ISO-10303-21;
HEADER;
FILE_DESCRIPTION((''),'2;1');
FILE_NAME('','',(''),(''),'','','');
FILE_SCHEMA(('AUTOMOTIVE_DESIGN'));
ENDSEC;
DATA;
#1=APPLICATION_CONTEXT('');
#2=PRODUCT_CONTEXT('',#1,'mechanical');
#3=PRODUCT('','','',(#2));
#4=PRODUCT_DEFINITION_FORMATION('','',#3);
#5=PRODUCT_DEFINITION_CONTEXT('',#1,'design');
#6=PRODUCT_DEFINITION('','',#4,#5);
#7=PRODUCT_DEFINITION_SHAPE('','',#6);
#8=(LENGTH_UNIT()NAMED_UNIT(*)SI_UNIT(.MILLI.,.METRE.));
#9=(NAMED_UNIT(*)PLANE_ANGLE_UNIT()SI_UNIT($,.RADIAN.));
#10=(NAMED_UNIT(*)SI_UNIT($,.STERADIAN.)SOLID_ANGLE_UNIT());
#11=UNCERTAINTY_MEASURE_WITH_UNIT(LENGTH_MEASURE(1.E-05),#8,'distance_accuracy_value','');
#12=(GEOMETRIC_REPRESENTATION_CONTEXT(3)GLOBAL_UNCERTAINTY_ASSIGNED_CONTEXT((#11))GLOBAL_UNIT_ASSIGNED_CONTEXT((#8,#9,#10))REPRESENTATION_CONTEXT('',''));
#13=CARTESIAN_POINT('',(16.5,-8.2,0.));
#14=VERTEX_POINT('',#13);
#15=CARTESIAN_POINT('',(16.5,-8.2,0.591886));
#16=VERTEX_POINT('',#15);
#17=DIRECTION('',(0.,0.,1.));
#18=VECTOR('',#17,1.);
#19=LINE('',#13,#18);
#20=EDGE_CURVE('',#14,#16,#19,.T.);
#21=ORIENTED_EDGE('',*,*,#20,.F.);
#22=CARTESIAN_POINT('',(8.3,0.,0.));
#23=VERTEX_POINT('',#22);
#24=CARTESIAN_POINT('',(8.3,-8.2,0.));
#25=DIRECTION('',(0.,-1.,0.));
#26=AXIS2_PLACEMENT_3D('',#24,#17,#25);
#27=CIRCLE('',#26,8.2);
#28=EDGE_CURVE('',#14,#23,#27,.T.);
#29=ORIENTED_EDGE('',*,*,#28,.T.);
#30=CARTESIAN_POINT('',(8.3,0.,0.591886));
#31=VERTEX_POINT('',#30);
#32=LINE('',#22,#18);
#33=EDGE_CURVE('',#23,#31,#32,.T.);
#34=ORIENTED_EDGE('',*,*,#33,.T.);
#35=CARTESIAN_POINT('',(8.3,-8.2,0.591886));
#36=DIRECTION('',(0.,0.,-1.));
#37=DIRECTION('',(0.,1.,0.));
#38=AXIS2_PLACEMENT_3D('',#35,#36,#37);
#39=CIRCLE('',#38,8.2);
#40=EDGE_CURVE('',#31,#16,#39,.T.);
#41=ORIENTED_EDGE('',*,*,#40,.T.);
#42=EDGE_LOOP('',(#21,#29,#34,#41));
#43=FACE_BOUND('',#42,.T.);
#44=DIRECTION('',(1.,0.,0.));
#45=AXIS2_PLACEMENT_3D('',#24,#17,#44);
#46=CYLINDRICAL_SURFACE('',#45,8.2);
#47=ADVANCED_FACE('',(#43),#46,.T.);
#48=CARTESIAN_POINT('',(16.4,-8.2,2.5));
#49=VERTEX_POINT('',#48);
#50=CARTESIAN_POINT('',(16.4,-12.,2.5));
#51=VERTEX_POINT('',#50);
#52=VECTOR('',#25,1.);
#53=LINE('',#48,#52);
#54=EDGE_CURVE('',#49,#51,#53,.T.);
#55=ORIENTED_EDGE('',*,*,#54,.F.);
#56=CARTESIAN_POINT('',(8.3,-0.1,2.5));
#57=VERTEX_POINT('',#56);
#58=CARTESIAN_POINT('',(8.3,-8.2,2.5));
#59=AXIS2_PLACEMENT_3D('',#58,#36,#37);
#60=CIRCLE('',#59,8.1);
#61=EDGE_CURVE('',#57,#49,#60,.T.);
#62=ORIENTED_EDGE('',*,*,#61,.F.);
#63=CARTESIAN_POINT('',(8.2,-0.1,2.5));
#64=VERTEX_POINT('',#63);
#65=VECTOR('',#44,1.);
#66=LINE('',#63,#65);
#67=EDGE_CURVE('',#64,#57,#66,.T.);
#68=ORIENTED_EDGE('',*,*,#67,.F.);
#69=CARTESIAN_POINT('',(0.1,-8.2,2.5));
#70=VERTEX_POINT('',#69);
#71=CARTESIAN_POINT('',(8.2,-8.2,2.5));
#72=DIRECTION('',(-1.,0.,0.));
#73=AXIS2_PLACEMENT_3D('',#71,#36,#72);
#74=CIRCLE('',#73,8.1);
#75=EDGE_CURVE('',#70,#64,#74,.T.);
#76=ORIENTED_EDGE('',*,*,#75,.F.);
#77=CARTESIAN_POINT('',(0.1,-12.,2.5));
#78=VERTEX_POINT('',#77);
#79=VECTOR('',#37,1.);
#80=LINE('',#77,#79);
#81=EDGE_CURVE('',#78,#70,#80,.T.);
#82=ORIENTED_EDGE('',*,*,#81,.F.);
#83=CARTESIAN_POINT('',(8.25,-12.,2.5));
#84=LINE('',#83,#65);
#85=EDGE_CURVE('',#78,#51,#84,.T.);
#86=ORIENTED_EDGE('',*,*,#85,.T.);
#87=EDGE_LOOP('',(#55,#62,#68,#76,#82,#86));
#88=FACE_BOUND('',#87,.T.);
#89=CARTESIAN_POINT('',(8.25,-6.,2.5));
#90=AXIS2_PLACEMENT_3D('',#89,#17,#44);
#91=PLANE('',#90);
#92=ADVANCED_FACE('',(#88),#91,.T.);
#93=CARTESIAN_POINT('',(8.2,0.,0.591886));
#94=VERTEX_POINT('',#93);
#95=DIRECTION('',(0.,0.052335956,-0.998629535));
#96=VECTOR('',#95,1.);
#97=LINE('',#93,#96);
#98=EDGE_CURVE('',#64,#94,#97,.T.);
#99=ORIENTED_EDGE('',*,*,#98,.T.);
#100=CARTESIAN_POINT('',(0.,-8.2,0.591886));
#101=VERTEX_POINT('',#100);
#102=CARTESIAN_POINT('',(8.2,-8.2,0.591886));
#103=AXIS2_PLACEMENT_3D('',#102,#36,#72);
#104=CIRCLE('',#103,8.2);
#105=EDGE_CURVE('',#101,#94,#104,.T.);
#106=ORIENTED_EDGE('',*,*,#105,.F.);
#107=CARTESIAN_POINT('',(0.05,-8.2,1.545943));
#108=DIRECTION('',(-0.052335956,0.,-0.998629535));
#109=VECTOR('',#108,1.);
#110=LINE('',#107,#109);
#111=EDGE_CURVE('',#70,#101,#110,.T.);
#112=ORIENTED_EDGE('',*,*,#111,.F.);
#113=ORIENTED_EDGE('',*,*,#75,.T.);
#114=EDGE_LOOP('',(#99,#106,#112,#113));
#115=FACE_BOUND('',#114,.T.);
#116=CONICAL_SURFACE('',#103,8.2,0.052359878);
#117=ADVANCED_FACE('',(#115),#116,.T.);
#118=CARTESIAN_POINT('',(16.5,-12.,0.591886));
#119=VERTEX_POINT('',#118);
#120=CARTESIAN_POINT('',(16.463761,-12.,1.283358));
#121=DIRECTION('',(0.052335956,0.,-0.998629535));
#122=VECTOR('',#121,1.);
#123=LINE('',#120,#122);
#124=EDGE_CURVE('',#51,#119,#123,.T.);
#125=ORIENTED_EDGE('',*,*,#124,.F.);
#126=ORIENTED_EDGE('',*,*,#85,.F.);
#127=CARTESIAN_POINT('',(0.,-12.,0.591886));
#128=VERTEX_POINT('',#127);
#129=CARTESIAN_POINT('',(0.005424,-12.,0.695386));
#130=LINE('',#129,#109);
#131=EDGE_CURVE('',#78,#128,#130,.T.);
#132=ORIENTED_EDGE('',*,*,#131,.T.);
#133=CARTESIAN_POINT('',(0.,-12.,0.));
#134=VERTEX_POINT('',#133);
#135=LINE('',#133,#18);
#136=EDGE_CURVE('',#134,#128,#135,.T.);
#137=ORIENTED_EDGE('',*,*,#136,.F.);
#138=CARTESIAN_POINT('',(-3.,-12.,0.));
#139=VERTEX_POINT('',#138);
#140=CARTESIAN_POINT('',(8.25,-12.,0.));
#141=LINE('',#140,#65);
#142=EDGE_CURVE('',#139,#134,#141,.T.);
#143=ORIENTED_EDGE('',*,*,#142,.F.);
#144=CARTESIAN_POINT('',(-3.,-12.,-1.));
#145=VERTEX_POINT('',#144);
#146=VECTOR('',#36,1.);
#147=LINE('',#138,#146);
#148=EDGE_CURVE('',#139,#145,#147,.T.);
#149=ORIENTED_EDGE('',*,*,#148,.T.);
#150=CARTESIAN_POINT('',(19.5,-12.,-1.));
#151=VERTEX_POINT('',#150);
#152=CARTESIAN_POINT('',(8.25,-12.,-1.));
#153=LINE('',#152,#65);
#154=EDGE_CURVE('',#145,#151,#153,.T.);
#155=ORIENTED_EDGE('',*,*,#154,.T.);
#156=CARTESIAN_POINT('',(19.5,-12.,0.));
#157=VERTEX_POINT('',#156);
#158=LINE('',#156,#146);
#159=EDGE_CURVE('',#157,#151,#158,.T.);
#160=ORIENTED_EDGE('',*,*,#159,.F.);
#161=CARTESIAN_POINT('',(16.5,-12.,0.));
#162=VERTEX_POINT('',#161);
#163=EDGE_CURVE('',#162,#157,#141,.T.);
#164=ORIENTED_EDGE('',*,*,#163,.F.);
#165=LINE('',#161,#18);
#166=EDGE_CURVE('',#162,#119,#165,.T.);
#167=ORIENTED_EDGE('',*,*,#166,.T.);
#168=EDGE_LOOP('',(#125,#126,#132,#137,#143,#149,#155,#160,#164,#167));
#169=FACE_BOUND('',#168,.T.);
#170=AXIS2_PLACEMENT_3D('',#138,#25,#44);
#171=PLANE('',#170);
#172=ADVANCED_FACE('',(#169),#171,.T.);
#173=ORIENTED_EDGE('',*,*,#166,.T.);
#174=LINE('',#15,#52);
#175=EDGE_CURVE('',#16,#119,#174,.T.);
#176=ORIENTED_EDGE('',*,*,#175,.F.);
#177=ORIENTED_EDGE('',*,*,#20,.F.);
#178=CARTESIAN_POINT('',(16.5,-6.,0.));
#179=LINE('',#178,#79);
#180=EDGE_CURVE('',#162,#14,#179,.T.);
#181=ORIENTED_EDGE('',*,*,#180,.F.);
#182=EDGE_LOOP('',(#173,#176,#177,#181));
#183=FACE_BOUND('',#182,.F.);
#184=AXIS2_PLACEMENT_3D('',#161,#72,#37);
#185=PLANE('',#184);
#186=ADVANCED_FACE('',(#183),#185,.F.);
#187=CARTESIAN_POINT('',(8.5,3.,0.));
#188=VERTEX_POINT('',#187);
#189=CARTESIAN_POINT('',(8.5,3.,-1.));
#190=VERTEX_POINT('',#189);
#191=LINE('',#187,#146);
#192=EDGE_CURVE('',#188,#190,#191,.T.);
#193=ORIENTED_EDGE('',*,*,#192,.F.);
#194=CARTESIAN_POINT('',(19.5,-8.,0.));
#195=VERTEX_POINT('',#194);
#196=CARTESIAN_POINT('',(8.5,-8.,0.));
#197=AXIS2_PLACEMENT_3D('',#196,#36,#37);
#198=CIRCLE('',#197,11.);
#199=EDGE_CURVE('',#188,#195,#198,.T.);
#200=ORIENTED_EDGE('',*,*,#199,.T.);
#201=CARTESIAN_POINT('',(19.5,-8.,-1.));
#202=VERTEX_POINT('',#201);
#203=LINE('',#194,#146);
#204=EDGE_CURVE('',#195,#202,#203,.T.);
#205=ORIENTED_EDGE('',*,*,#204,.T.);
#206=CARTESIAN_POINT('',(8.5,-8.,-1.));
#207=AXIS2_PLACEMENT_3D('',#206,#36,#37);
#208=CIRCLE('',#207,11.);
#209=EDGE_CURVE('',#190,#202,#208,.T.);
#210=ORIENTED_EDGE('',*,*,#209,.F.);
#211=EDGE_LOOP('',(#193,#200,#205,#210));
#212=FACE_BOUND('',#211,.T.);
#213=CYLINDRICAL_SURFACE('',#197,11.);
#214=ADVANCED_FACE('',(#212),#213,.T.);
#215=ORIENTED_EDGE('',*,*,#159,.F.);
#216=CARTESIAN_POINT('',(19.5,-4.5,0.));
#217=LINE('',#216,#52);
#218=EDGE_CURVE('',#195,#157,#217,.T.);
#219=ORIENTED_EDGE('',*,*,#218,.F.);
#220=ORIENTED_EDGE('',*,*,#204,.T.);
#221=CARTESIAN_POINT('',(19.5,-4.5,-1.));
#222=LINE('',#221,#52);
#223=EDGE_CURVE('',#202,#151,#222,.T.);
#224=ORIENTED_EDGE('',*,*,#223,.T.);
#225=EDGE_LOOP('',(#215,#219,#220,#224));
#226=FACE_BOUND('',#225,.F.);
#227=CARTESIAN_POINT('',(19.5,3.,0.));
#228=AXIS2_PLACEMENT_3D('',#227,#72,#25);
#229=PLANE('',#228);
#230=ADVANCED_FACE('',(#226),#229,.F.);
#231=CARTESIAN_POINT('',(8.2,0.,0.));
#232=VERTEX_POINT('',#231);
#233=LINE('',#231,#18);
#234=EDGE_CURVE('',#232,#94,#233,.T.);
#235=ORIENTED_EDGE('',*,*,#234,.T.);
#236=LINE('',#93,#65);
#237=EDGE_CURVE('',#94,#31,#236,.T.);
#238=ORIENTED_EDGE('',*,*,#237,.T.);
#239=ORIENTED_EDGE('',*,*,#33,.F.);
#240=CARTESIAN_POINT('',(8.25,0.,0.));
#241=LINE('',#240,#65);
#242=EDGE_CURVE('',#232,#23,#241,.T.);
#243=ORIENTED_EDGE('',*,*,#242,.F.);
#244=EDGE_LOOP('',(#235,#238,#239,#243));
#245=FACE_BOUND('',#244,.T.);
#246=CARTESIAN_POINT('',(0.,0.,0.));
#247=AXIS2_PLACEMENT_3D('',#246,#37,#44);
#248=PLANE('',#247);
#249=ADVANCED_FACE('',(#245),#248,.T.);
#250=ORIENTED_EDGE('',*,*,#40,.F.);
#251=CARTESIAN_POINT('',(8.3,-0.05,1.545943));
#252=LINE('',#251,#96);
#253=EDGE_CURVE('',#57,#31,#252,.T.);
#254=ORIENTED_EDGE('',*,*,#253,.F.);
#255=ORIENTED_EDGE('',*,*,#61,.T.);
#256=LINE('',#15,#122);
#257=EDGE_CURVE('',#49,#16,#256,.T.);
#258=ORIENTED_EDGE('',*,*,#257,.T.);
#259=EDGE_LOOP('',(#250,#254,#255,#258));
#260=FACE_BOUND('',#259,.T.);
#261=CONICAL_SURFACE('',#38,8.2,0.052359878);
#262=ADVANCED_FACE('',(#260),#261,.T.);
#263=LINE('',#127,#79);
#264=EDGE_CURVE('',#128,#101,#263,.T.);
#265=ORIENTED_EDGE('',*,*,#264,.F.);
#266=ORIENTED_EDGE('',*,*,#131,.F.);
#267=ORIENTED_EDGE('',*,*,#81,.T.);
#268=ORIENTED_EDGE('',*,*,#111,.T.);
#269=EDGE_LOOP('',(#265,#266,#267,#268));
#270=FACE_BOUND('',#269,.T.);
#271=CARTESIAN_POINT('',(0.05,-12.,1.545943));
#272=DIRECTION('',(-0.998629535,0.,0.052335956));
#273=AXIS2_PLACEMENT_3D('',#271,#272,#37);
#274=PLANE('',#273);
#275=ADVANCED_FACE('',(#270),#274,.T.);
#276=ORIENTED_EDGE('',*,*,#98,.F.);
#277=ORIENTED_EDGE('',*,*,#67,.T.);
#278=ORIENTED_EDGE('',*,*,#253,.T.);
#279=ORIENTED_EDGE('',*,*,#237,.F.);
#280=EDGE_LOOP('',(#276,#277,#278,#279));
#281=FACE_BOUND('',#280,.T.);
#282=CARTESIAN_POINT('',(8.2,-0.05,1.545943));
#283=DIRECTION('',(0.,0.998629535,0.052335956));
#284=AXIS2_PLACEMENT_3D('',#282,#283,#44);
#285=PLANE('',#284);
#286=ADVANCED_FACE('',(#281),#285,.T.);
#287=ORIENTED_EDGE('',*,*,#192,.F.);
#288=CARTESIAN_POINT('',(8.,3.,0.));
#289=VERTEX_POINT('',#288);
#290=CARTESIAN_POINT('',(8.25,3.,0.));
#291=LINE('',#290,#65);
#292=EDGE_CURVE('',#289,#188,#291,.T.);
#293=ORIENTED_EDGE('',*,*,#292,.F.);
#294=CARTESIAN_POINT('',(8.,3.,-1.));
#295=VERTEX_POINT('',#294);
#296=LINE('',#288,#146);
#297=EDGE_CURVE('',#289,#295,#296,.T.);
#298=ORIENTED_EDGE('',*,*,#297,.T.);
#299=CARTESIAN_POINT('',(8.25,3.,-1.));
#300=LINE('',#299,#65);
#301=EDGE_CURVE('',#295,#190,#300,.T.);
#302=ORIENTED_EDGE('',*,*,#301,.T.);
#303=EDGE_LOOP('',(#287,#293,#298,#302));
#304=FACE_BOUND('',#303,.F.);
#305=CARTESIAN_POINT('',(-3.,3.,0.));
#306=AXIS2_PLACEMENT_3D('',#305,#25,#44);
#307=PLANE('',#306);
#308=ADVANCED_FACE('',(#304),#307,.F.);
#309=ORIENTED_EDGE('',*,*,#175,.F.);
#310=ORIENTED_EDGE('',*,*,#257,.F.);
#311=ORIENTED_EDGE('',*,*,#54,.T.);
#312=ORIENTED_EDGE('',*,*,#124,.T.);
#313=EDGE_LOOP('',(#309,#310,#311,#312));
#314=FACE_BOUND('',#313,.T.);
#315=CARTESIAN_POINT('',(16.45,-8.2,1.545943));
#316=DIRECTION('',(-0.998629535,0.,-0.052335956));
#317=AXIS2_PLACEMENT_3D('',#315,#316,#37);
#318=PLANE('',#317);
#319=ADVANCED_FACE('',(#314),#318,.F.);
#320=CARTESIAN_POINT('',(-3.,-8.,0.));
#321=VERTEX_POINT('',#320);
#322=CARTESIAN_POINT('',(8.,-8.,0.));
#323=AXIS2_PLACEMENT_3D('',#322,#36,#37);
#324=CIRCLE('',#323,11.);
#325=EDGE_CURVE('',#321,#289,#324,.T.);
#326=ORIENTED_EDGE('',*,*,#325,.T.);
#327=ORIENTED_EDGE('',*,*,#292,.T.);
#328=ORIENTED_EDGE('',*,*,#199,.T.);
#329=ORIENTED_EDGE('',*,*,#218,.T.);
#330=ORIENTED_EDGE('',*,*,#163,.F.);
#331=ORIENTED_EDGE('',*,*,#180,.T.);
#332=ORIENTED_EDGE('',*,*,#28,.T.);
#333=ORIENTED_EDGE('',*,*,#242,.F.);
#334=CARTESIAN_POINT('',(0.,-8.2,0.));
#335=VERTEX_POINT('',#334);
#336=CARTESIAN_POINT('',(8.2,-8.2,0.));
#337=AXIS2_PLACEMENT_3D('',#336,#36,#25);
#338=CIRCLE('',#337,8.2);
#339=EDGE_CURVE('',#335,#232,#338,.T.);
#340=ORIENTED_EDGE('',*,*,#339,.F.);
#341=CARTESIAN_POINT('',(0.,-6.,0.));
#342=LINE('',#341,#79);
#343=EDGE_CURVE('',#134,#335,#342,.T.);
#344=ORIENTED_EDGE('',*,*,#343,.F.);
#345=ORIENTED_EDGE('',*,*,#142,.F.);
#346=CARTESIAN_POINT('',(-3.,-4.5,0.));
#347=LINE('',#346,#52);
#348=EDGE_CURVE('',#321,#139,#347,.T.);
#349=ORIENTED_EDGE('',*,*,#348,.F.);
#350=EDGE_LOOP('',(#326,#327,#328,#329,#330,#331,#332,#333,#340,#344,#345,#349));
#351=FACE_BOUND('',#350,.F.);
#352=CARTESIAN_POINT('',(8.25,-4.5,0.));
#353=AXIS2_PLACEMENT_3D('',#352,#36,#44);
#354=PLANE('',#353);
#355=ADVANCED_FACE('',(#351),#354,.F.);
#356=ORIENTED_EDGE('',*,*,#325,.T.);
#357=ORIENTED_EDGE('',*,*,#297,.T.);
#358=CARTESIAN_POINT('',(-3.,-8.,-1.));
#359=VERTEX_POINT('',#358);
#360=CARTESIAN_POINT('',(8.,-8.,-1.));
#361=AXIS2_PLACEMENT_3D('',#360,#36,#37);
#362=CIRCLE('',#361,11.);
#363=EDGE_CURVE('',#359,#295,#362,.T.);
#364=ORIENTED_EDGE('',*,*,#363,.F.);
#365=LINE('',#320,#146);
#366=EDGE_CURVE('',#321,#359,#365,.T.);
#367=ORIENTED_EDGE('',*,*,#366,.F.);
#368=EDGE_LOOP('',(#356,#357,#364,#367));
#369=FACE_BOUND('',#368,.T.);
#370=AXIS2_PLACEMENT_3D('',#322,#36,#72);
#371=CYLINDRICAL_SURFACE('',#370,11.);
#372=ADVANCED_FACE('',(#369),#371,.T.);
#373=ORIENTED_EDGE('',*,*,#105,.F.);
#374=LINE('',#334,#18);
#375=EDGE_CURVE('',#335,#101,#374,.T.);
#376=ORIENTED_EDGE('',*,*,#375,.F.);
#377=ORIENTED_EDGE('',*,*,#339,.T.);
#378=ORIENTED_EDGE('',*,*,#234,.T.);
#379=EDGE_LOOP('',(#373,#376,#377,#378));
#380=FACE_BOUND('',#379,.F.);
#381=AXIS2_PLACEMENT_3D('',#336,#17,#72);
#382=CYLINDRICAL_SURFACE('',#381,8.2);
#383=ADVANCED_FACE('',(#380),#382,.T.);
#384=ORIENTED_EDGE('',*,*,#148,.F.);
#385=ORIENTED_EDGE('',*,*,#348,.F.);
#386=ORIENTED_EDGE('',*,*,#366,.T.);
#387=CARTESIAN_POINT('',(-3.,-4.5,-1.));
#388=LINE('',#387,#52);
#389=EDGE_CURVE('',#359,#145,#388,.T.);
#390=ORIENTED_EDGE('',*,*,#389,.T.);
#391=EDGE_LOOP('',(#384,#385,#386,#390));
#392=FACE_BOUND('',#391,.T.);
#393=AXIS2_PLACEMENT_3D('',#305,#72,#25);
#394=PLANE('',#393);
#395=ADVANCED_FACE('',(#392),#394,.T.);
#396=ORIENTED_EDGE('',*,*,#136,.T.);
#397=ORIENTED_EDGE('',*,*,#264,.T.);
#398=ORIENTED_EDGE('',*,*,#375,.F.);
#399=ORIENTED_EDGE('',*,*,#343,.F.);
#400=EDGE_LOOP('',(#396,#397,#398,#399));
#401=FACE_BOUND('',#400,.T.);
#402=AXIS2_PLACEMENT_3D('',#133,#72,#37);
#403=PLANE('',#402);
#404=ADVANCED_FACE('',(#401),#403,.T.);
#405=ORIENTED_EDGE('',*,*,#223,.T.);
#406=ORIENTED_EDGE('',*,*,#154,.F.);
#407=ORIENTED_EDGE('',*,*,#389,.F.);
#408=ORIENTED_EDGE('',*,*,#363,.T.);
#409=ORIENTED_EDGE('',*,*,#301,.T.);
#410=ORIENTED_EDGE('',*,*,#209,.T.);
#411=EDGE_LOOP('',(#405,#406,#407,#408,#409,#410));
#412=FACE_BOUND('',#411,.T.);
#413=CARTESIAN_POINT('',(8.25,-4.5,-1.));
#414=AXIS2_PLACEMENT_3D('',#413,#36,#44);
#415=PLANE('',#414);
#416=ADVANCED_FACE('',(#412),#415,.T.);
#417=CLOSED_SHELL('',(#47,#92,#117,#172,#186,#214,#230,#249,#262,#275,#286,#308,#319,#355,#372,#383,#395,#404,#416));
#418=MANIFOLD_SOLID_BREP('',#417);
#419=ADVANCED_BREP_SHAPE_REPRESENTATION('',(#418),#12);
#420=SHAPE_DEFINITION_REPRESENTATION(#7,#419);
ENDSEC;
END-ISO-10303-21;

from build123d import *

# Parameters (mm, degrees)
F0_W     = 16.5
F0_H     = 12
F1_DEPTH = 2.5
F2_R     = 8.2
F3_W     = 22.5
F3_H     = 15
F4_DEPTH = 1
F5_R     = 11
F6_SIZE2 = 1.9081136688
F6_SIZE  = 0.1


with BuildPart() as f1:
    # F0 (on Top) → F1 (new body)
    with BuildSketch(Plane.XY):
        with Locations((8.25, -6)):
            Rectangle(F0_W, F0_H)
    extrude(amount=F1_DEPTH)

    # F2
    f2_edges = [f1.edges().sort_by_distance(p)[0] for p in [
        (16.5, 0, 1.25),
        (0, 0, 1.25),
    ]]
    fillet(f2_edges, radius=F2_R)

    # F3 (on face) → F4 (join)
    with BuildSketch(Plane(origin=(0, 0, 0), x_dir=(1, 0, 0), z_dir=(0, 0, -1))):
        with Locations((8.25, 4.5)):
            Rectangle(F3_W, F3_H)
    extrude(amount=F4_DEPTH)

    # F5
    f5_edges = [f1.edges().sort_by_distance(p)[0] for p in [
        (19.5, 3, -0.5),
        (-3, 3, -0.5),
    ]]
    fillet(f5_edges, radius=F5_R)

    # F6
    f6_edges = [f1.edges().sort_by_distance(p)[0] for p in [
        (0, -10.1, 2.5),
        (2.401724, -2.401724, 2.5),
        (14.098276, -2.401724, 2.5),
        (16.5, -10.1, 2.5),
    ]]
    f6_side = f1.faces().sort_by_distance((8.25, -6.711232, 2.5))[0]
    chamfer(f6_edges, length=F6_SIZE, length2=F6_SIZE2, reference=f6_side)


solid = f1.part
